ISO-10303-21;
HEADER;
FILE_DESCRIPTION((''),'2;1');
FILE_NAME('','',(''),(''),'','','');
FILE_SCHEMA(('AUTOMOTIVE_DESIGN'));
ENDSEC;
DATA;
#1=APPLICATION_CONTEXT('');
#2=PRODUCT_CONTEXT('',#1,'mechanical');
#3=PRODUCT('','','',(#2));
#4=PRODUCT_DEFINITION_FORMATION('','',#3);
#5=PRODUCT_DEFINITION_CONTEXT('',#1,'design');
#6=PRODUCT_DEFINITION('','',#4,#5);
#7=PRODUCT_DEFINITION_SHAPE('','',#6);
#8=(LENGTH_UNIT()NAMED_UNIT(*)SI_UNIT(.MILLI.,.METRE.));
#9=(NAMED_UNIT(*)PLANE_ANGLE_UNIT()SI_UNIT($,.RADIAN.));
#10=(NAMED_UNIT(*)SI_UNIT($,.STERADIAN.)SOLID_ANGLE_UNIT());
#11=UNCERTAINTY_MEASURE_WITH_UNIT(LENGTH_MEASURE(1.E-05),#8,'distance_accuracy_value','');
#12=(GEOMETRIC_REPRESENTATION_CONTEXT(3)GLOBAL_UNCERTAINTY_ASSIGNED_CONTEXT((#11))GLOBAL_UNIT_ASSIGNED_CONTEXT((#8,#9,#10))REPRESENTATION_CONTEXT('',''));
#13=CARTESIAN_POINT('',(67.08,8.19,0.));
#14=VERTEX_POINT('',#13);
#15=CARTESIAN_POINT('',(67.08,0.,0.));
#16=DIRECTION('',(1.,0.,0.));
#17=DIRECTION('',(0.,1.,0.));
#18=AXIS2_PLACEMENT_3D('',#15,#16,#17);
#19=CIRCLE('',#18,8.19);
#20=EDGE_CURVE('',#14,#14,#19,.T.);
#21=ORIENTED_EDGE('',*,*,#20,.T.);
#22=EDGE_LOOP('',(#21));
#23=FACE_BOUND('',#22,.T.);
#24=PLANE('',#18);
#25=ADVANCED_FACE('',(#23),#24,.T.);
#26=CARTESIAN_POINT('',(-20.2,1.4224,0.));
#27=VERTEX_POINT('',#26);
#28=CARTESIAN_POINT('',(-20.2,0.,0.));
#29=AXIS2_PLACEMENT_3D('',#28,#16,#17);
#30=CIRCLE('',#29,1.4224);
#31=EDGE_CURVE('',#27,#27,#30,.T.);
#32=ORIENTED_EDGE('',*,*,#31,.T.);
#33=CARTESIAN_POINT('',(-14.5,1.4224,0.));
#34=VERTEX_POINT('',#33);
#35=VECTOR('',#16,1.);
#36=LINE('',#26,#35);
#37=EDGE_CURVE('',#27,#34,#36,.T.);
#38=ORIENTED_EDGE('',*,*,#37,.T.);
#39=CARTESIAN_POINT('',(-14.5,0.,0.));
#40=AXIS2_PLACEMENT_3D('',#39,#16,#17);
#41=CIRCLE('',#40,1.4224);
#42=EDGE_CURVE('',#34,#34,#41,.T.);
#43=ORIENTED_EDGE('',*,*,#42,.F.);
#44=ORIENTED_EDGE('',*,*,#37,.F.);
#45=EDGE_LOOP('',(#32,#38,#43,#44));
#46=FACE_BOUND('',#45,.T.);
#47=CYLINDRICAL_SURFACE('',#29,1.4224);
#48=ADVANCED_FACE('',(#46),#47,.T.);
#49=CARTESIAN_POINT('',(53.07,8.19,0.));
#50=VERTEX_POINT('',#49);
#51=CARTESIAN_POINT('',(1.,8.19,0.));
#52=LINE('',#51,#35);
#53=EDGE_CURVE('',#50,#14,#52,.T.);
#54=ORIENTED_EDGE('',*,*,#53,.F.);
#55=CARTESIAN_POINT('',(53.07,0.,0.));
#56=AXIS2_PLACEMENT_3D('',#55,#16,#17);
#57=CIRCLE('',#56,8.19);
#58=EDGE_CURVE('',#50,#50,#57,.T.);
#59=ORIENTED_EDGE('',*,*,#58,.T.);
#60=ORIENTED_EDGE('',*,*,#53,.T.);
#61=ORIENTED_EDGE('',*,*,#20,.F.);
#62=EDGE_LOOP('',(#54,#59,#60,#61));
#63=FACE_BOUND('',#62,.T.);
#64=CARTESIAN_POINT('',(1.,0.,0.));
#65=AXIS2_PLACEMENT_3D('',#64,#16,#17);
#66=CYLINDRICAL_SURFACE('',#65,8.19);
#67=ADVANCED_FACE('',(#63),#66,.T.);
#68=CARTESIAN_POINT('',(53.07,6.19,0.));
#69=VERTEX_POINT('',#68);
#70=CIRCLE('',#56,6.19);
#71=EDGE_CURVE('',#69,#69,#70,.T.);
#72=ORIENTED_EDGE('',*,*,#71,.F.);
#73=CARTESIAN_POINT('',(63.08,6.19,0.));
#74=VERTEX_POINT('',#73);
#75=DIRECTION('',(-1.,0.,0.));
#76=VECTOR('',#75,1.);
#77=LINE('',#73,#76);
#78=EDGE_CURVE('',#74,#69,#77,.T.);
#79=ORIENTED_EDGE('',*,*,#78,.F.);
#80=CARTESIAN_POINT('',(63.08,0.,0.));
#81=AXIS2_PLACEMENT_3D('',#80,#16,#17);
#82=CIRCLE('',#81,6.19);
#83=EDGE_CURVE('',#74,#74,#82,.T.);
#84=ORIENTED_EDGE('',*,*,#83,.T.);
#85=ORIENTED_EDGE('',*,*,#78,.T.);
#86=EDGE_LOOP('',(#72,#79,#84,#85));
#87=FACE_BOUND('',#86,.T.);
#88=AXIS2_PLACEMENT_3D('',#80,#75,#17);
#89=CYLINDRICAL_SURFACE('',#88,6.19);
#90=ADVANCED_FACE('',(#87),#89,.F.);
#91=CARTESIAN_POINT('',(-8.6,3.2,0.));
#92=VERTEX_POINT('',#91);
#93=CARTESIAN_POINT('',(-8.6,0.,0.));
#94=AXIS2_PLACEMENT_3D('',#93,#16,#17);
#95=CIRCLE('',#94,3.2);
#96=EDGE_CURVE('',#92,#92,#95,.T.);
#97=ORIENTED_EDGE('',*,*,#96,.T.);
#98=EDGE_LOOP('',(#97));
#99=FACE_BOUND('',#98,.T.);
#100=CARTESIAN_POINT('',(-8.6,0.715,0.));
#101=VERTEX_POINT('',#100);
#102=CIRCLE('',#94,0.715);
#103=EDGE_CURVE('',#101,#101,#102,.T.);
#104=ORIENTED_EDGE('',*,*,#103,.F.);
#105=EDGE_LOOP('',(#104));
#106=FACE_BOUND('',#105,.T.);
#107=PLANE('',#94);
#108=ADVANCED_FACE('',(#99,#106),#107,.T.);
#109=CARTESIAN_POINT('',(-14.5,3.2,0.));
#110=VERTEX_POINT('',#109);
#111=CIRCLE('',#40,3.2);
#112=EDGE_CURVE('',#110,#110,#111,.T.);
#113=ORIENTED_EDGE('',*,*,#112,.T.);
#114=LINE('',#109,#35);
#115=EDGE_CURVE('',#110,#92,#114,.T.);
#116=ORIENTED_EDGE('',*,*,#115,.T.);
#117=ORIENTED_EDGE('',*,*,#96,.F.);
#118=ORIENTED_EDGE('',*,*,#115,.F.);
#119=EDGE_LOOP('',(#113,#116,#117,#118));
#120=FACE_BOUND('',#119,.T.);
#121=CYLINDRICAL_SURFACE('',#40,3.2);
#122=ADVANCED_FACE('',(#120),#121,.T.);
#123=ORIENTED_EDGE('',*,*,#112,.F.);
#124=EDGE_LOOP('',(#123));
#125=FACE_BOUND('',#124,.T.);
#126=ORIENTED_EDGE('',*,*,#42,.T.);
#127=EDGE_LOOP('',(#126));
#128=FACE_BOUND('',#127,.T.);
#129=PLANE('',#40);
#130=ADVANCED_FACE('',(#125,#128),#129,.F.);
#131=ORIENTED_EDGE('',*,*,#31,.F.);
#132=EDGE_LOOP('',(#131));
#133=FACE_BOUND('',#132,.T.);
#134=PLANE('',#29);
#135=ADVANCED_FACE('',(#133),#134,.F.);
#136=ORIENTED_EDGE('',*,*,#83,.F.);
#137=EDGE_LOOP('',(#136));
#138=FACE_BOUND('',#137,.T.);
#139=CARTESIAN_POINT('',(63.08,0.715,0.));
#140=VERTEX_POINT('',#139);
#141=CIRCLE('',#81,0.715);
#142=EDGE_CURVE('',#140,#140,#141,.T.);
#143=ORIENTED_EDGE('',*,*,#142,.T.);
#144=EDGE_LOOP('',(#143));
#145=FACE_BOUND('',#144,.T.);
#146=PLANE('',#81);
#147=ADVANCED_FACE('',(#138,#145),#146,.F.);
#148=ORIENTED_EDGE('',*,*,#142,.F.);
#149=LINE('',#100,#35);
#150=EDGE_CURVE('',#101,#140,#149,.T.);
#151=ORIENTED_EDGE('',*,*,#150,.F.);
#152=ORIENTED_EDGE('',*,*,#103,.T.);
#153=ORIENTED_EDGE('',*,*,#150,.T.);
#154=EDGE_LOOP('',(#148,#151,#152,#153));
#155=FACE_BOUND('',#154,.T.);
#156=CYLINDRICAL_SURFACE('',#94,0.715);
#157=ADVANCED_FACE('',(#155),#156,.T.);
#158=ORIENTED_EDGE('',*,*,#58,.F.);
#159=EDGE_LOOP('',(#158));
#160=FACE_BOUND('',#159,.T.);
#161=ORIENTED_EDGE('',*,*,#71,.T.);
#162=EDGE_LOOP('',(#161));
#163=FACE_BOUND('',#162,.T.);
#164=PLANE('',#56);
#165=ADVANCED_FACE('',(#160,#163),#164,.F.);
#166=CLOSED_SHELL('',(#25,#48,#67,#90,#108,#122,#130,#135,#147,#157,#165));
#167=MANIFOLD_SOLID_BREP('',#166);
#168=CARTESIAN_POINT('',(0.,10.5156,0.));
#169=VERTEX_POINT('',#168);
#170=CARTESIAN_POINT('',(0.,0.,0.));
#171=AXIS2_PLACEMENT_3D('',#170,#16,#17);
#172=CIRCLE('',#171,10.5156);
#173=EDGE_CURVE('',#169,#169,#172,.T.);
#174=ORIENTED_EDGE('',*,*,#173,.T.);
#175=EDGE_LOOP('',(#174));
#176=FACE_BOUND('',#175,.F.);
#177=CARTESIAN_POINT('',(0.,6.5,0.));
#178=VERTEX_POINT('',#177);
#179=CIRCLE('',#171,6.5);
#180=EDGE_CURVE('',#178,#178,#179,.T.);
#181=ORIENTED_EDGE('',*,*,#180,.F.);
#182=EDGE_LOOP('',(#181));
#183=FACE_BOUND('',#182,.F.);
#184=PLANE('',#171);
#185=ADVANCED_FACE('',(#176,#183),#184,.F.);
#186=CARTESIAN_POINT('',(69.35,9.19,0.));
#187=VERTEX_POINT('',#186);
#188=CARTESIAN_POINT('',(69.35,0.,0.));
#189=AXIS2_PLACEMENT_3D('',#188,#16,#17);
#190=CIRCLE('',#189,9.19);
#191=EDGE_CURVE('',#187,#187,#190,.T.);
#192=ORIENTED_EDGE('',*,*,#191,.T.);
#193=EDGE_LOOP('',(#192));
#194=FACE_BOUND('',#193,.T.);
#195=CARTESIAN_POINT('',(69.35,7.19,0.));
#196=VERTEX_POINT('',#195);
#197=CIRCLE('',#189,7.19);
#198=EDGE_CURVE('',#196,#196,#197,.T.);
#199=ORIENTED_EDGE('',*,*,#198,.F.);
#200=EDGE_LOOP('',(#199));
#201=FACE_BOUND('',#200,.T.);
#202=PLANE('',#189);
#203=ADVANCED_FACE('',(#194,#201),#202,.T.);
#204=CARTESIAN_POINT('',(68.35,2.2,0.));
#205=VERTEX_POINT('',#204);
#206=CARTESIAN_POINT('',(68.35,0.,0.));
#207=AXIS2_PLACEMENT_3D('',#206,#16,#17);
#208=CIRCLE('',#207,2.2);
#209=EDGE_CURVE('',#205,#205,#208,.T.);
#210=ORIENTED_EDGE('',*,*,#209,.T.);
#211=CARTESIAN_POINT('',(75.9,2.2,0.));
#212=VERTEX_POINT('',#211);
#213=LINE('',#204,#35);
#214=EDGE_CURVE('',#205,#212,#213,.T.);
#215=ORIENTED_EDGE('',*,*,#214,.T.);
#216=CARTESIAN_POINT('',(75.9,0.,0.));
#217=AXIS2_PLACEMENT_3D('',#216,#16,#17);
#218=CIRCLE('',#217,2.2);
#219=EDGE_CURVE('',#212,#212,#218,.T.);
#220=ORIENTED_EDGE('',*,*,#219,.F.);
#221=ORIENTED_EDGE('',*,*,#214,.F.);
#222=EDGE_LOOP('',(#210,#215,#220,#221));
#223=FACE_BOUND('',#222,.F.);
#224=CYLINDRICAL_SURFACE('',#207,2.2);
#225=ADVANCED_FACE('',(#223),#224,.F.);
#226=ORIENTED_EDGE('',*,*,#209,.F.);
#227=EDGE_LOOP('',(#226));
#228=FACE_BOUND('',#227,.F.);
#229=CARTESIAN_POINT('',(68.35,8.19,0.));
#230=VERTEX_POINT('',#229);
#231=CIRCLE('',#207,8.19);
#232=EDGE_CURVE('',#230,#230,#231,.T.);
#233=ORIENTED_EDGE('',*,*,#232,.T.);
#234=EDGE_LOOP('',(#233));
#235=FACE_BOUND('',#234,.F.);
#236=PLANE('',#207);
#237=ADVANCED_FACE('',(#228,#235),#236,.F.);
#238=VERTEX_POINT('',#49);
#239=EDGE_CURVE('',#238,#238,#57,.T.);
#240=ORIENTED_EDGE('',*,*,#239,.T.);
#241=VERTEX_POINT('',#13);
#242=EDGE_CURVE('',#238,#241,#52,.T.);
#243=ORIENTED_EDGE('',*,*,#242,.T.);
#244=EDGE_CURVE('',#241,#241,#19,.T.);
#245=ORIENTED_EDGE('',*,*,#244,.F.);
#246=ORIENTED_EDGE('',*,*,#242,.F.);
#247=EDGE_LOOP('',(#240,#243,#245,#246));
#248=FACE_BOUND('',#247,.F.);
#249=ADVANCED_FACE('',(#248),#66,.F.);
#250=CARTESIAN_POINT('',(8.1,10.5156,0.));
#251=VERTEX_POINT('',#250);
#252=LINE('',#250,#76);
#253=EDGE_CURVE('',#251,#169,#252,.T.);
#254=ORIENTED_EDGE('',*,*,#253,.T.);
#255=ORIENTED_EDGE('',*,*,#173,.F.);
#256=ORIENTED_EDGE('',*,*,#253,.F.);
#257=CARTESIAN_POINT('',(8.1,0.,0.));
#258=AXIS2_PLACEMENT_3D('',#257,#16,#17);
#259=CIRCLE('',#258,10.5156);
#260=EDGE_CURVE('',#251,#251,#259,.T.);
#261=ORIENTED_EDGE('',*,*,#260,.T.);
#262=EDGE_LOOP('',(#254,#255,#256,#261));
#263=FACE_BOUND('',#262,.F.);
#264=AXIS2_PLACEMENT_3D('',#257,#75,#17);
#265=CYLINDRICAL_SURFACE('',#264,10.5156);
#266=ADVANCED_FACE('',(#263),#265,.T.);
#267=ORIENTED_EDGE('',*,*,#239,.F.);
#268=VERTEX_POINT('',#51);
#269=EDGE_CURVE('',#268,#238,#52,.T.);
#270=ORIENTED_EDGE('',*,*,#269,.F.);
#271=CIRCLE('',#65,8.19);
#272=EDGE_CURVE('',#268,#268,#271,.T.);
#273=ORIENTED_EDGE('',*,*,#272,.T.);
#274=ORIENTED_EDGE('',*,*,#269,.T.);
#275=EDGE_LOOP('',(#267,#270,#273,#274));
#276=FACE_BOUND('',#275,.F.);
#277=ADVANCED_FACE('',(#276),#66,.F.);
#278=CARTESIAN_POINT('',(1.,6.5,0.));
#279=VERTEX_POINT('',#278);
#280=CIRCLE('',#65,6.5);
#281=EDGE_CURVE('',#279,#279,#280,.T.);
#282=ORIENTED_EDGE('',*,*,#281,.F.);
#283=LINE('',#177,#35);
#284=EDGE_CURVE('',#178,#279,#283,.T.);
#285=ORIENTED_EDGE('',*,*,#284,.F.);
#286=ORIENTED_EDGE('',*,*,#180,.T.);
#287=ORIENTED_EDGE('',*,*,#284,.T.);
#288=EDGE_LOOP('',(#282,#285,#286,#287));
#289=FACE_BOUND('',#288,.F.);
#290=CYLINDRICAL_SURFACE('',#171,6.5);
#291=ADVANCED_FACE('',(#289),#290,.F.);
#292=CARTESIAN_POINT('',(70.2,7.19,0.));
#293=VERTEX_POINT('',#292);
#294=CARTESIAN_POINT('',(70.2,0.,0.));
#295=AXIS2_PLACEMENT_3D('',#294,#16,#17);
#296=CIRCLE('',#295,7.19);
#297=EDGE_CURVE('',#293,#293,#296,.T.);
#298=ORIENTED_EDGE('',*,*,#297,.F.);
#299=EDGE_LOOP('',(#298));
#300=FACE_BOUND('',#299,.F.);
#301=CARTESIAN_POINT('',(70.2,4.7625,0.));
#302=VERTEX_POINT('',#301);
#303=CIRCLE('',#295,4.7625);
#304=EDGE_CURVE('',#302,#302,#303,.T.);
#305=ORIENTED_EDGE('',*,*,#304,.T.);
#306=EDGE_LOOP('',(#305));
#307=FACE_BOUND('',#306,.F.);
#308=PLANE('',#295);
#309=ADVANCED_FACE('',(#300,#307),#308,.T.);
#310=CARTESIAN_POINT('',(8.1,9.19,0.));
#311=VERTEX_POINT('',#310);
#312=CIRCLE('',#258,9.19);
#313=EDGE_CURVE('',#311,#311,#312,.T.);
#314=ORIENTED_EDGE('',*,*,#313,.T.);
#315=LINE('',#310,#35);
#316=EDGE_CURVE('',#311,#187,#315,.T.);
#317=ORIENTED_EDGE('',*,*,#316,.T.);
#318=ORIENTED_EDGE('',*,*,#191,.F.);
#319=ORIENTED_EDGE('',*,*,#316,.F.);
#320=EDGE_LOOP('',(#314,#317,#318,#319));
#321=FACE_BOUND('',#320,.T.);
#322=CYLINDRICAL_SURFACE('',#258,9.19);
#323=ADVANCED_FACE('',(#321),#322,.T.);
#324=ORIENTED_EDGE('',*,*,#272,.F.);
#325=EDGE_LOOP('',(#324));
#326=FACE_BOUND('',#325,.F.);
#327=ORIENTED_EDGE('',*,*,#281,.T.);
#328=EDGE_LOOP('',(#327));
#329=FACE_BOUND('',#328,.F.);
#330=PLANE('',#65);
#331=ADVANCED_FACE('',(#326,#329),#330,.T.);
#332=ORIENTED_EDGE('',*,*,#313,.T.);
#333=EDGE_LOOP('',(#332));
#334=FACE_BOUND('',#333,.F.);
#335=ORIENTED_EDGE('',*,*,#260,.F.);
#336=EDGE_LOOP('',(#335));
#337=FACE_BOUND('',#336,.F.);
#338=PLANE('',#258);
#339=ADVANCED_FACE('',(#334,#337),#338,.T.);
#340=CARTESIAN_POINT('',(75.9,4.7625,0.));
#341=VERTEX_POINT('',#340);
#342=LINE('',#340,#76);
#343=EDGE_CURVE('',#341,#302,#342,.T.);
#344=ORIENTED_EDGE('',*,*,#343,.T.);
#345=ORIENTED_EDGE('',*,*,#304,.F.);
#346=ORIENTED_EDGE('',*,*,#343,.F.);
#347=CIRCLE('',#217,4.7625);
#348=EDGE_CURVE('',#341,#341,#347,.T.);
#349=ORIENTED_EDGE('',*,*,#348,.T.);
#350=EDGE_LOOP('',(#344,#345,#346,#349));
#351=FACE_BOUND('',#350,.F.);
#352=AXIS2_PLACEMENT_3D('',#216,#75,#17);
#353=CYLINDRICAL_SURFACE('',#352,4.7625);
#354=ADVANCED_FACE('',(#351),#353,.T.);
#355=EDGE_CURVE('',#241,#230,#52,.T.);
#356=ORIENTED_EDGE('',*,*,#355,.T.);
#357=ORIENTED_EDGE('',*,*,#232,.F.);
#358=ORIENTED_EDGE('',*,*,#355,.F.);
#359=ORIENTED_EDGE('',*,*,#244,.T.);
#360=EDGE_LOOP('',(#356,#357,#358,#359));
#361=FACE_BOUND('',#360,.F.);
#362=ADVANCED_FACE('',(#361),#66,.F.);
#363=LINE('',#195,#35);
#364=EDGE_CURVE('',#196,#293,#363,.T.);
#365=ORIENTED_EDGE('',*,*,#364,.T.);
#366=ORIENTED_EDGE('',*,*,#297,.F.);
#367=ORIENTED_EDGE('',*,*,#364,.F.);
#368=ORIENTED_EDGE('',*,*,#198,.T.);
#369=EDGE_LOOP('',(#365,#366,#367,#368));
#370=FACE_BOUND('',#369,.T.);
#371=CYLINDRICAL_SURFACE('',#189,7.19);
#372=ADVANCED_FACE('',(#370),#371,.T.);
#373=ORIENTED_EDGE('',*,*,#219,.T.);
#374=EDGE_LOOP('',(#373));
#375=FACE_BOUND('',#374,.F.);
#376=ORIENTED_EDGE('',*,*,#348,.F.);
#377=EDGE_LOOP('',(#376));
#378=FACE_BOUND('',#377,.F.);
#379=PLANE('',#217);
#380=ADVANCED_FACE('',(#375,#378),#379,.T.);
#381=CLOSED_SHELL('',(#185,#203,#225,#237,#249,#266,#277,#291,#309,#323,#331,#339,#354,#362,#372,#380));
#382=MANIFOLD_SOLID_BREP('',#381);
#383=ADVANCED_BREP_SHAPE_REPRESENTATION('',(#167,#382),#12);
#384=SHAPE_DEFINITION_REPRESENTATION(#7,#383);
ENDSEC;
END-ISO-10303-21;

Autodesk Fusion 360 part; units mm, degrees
sketch "Sketch1" plane through (0, 0, 0) normal (0, 0, 1) x (1, 0, 0)
  line L0 (8.1, 9.19) -> (69.35, 9.19)
  line L1 (8.1, 9.19) -> (8.1, 10.5156)
  line L2 (8.1, 10.5156) -> (0, 10.5156)
  line L3 (0, 10.5156) -> (0, 6.5)
  line L4 (1, 8.19) -> (68.35, 8.19)
  line L5 (68.35, 8.19) -> (68.35, 2.2)
  line L6 (68.35, 2.2) -> (75.9, 2.2)
  line L7 (75.9, 2.2) -> (75.9, 4.7625)
  line L8 (75.9, 4.7625) -> (70.2, 4.7625)
  line L9 (70.2, 4.7625) -> (70.2, 7.19)
  line L10 (0, 6.5) -> (1, 6.5)
  line L11 (1, 6.5) -> (1, 8.19)
  line L12 (69.35, 9.19) -> (69.35, 7.19)
  line L13 (69.35, 7.19) -> (70.2, 7.19)
  line L14 (0, 0) -> (87.0356, 0) construction
  line L15 (67.08, 0) -> (63.08, 0)
  line L16 (53.07, 6.19) -> (53.07, 8.19)
  line L17 (53.07, 8.19) -> (67.08, 8.19)
  line L18 (67.08, 8.19) -> (67.08, 0)
  line L19 (63.08, 0) -> (63.08, 6.19)
  line L20 (63.08, 6.19) -> (53.07, 6.19)
  line L21 (63.08, 0) -> (-20.2, 0)
  line L22 (-20.2, 0) -> (-20.2, 1.4224)
  line L23 (-20.2, 1.4224) -> (-14.5, 1.4224)
  line L24 (-14.5, 1.4224) -> (-14.5, 3.2)
  line L25 (-14.5, 3.2) -> (-8.6, 3.2)
  line L26 (-8.6, 3.2) -> (-8.6, 0.715)
  line L27 (-8.6, 0.715) -> (63.08, 0.715)
  dimension "d2" = 1
  dimension "d3" = 0.85
  dimension "d5" = 1
  dimension "d6" = 9.19
  dimension "d7" = 10.5156
  dimension "d8" = 8.1
  dimension "d9" = 6.5
  dimension "d10" = 2
  dimension "d11" = 1
  dimension "d12" = 4.7625
  dimension "d13" = 2.2
  dimension "d14" = 5.7
  dimension "d15" = 70.2
  dimension "d16" = 1.27
  dimension "d17" = 52.07
  dimension "d18" = 2
  dimension "d19" = 4
  dimension "d20" = 0.715
  dimension "d21" = 8.6
  dimension "d22" = 1.4224
  dimension "d23" = 5.9
  dimension "d24" = 3.2
  dimension "d25" = 5.7
revolve "Revolve1" add sketch "Sketch1" angle 360 about axis through (0, 0, 0) along (1, 0, 0) contours L0 L1 L2 L3 L4 L5 L6 L7 L8 L9 L10 L11 L12 L13 L17 makes body 1
revolve "Revolve2" add sketch "Sketch1" angle 360 about axis through (0, 0, 0) along (1, 0, 0) separate body contours L4 L15 L16 L17 L18 L19 L20 | L19 L21 L22 L23 L24 L25 L26 L27 makes body 2
copy_body "Body->Comp1" bodies 1 removing the originals makes body 3 in component "DashpotBody"
copy_body "Body->Comp2" bodies 2 removing the originals makes body 4 in component "DashpotPlunger"
component "DashpotBody" placed x (1, 0, 0) y (0, 1, 0) z (0, 0, 1) at (0, 0, 0)
component "DashpotPlunger" placed x (1, 0, 0) y (0, 1, 0) z (0, 0, 1) at (0, 0, 0)
equation "d6 = 18.38 mm / 2"
equation "d7 = 0.828 in / 2"
equation "d9 = ( 13 / 2 ) * 1 mm"
equation "d12 = 3 / 8 / 2 * 1 in"
equation "d13 = 4.4 mm / 2"
equation "d20 = ( 1.43 / 2 ) * 1 mm"
equation "d22 = ( 0.112 / 2 ) * 1 in"
equation "d24 = ( 6.4 / 2 ) * 1 mm"
